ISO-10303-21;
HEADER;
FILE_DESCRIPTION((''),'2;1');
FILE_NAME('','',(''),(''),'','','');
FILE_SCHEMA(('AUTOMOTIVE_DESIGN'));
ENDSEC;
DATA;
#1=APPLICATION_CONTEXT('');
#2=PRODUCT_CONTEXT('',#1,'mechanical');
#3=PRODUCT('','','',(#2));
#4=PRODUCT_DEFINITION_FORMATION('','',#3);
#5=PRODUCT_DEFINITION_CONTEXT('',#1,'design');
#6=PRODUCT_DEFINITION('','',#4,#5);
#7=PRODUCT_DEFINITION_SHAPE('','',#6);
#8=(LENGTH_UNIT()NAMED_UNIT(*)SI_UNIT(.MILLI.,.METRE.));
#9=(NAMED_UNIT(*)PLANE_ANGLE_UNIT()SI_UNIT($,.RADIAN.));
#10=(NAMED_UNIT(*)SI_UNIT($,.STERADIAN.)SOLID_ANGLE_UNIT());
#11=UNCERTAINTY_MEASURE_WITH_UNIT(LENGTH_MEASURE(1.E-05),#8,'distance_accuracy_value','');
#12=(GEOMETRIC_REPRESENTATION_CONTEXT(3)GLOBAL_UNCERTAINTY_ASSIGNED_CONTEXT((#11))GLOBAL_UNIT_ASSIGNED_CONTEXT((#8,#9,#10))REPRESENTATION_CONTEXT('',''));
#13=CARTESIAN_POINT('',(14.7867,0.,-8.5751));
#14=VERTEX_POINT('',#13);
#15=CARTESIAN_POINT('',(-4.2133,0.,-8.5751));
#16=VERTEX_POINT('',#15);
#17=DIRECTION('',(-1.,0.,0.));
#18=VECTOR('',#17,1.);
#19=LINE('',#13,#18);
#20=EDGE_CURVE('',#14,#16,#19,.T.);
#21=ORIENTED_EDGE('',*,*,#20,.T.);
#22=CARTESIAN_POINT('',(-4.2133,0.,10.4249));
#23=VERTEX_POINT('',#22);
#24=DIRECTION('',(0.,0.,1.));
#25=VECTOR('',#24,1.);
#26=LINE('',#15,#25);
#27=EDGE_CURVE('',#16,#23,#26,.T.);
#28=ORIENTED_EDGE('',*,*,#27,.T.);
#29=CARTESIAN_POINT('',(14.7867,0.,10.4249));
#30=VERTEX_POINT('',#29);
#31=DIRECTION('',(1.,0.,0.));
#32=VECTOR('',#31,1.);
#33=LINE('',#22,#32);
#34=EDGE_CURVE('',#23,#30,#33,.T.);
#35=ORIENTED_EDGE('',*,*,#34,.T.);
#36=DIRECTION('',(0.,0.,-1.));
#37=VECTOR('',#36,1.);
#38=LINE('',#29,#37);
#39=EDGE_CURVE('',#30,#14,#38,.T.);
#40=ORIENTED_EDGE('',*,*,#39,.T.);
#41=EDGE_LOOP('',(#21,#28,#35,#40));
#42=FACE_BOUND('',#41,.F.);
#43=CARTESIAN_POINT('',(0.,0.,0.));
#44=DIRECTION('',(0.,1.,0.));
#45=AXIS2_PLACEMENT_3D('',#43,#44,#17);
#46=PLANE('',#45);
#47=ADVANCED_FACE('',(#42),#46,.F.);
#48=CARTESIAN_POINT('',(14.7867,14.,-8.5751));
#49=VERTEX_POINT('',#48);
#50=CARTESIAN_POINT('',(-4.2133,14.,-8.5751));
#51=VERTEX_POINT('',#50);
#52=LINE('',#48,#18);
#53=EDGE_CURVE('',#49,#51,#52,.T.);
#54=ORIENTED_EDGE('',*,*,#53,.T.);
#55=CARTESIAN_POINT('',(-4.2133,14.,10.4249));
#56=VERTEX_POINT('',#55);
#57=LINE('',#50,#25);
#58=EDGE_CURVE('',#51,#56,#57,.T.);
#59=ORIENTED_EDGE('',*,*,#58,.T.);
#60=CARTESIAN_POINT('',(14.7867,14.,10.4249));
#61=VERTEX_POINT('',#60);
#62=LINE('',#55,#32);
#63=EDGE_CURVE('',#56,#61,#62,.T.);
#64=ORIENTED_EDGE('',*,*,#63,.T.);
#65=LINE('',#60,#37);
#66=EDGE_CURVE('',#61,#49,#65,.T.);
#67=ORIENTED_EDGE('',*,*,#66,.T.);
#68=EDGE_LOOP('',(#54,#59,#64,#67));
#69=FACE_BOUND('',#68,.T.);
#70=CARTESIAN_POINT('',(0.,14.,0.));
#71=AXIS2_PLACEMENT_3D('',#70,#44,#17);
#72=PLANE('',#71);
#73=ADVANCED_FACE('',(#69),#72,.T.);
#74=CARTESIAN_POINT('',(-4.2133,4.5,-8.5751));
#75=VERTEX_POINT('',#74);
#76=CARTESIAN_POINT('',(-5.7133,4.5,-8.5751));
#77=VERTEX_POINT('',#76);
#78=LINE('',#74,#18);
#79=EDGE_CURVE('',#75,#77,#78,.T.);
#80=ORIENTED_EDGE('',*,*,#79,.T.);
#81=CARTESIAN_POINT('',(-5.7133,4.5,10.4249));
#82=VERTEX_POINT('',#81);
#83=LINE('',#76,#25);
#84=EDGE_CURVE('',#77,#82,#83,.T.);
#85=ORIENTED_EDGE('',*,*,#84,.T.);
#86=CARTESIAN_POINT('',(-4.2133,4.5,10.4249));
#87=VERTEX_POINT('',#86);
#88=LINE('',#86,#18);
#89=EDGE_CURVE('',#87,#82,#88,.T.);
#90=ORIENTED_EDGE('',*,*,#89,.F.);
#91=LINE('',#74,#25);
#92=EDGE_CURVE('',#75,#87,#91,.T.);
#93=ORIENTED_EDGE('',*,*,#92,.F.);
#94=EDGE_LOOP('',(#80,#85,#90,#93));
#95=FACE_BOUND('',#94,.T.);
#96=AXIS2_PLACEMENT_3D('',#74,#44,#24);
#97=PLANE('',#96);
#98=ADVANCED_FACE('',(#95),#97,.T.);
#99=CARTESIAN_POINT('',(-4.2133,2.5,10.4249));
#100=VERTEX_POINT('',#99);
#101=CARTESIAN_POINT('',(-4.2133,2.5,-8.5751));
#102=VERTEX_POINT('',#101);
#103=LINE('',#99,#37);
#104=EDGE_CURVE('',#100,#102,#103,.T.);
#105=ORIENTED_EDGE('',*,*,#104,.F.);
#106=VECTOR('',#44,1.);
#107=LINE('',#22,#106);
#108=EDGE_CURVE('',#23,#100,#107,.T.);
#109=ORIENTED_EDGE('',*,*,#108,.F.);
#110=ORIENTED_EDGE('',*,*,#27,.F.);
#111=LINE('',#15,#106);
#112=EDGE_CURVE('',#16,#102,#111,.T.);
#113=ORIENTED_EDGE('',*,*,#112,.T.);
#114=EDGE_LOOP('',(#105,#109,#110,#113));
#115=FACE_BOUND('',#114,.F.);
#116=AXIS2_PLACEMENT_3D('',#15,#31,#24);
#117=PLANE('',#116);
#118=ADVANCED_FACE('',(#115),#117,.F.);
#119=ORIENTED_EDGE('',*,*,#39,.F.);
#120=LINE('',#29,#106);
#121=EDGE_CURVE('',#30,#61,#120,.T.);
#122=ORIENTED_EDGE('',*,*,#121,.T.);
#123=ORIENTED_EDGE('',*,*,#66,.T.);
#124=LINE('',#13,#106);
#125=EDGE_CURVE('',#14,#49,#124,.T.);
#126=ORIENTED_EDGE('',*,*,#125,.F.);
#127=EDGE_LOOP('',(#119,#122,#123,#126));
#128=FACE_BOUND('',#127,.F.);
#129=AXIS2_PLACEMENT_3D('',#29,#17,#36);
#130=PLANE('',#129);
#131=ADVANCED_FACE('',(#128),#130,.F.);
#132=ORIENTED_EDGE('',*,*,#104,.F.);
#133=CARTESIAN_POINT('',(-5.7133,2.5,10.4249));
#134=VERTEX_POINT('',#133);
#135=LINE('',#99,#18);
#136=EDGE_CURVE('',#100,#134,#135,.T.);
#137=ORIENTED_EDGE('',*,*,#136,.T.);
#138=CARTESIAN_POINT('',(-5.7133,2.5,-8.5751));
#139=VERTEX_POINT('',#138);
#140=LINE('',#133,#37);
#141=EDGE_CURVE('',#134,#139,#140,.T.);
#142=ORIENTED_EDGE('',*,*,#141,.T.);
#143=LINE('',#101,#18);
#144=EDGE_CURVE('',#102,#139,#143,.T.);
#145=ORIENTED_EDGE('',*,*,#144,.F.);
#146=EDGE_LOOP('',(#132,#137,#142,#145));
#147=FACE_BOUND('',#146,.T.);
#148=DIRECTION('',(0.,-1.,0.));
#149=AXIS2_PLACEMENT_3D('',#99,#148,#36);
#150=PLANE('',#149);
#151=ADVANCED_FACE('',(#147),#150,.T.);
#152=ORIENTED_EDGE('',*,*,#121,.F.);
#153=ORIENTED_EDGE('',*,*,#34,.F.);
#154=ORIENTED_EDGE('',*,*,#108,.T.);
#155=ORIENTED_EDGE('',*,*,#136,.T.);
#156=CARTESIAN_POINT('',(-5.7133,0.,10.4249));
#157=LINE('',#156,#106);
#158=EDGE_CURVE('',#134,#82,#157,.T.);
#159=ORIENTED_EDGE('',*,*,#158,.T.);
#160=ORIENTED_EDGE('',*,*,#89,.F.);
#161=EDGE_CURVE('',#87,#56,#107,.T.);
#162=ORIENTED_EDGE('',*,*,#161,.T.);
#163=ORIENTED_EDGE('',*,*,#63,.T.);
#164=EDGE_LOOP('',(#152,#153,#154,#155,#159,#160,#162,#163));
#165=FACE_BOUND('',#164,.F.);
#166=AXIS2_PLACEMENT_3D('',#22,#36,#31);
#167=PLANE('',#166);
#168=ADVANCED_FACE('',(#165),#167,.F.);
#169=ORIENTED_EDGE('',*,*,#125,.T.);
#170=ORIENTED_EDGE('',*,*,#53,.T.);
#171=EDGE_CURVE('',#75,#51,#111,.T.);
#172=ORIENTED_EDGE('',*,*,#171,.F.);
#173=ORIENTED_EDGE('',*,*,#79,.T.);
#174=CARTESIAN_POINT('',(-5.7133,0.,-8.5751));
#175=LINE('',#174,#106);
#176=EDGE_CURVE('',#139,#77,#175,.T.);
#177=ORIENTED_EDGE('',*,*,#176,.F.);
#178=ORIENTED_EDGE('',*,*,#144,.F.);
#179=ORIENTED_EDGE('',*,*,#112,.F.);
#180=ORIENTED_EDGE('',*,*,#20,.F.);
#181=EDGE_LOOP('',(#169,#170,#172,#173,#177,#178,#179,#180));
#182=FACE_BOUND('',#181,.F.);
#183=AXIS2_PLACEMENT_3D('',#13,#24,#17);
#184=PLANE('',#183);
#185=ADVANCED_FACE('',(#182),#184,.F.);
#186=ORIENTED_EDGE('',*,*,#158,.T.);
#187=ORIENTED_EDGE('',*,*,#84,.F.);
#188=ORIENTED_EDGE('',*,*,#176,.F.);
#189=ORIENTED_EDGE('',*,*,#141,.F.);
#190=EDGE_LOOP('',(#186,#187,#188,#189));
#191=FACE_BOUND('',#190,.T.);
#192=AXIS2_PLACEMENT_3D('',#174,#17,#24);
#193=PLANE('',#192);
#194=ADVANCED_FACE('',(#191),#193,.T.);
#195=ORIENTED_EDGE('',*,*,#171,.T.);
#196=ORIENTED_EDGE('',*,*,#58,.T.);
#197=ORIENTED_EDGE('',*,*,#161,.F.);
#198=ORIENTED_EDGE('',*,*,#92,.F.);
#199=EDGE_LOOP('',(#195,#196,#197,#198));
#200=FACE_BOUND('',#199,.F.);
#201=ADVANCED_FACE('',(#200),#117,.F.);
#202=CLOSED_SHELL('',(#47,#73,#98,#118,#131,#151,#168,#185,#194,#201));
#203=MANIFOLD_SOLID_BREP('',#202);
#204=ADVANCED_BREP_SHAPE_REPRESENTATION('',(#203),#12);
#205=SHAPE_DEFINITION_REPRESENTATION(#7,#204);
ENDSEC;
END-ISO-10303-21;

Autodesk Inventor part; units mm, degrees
ref_plane "YZ Plane" through (0, 0, 0) normal (1, 0, 0) x (0, 1, 0)
ref_plane "XZ Plane" through (0, 0, 0) normal (0, 1, 0) x (-1, 0, 0)
ref_plane "XY Plane" through (0, 0, 0) normal (0, 0, 1) x (1, 0, 0)
sketch "Sketch1" plane through (0, 0, 0) normal (0, 1, 0) x (-1, 0, 0)
  line L0 (4.2133, 10.4249) -> (-14.7867, 10.4249)
  line L1 (-14.7867, 10.4249) -> (-14.7867, -8.5751)
  line L2 (-14.7867, -8.5751) -> (4.2133, -8.5751)
  line L3 (4.2133, -8.5751) -> (4.2133, 10.4249)
  point P0 (0, 0)
  dimension "d0" = 19
  dimension "d1" = 19
extrude "Extrusion1" add sketch "Sketch1" along normal blind 14
sketch "Sketch2" plane through (-4.2133, 0, -8.5751) normal (-1, 0, 0) x (0, 0, 1)
  line L0 (0, 0) -> (0, 14) projected
  line L1 (19, 0) -> (19, 14) projected
  line L2 (0, 4.5) -> (19, 4.5)
  line L3 (19, 4.5) -> (19, 2.5)
  line L4 (19, 2.5) -> (0, 2.5)
  line L5 (0, 2.5) -> (0, 4.5)
  line L6 (0, 0) -> (19, 0) projected
  point P0 (8.5751, 0)
  point P1 (0, 2.5)
  dimension "d4" = 2
  dimension "d5" = 2.5
extrude "Extrusion2" add sketch "Sketch2" along normal blind 1.5 contours L0 L2 L1 L4
properties part number "ReadArduinoHolder"
